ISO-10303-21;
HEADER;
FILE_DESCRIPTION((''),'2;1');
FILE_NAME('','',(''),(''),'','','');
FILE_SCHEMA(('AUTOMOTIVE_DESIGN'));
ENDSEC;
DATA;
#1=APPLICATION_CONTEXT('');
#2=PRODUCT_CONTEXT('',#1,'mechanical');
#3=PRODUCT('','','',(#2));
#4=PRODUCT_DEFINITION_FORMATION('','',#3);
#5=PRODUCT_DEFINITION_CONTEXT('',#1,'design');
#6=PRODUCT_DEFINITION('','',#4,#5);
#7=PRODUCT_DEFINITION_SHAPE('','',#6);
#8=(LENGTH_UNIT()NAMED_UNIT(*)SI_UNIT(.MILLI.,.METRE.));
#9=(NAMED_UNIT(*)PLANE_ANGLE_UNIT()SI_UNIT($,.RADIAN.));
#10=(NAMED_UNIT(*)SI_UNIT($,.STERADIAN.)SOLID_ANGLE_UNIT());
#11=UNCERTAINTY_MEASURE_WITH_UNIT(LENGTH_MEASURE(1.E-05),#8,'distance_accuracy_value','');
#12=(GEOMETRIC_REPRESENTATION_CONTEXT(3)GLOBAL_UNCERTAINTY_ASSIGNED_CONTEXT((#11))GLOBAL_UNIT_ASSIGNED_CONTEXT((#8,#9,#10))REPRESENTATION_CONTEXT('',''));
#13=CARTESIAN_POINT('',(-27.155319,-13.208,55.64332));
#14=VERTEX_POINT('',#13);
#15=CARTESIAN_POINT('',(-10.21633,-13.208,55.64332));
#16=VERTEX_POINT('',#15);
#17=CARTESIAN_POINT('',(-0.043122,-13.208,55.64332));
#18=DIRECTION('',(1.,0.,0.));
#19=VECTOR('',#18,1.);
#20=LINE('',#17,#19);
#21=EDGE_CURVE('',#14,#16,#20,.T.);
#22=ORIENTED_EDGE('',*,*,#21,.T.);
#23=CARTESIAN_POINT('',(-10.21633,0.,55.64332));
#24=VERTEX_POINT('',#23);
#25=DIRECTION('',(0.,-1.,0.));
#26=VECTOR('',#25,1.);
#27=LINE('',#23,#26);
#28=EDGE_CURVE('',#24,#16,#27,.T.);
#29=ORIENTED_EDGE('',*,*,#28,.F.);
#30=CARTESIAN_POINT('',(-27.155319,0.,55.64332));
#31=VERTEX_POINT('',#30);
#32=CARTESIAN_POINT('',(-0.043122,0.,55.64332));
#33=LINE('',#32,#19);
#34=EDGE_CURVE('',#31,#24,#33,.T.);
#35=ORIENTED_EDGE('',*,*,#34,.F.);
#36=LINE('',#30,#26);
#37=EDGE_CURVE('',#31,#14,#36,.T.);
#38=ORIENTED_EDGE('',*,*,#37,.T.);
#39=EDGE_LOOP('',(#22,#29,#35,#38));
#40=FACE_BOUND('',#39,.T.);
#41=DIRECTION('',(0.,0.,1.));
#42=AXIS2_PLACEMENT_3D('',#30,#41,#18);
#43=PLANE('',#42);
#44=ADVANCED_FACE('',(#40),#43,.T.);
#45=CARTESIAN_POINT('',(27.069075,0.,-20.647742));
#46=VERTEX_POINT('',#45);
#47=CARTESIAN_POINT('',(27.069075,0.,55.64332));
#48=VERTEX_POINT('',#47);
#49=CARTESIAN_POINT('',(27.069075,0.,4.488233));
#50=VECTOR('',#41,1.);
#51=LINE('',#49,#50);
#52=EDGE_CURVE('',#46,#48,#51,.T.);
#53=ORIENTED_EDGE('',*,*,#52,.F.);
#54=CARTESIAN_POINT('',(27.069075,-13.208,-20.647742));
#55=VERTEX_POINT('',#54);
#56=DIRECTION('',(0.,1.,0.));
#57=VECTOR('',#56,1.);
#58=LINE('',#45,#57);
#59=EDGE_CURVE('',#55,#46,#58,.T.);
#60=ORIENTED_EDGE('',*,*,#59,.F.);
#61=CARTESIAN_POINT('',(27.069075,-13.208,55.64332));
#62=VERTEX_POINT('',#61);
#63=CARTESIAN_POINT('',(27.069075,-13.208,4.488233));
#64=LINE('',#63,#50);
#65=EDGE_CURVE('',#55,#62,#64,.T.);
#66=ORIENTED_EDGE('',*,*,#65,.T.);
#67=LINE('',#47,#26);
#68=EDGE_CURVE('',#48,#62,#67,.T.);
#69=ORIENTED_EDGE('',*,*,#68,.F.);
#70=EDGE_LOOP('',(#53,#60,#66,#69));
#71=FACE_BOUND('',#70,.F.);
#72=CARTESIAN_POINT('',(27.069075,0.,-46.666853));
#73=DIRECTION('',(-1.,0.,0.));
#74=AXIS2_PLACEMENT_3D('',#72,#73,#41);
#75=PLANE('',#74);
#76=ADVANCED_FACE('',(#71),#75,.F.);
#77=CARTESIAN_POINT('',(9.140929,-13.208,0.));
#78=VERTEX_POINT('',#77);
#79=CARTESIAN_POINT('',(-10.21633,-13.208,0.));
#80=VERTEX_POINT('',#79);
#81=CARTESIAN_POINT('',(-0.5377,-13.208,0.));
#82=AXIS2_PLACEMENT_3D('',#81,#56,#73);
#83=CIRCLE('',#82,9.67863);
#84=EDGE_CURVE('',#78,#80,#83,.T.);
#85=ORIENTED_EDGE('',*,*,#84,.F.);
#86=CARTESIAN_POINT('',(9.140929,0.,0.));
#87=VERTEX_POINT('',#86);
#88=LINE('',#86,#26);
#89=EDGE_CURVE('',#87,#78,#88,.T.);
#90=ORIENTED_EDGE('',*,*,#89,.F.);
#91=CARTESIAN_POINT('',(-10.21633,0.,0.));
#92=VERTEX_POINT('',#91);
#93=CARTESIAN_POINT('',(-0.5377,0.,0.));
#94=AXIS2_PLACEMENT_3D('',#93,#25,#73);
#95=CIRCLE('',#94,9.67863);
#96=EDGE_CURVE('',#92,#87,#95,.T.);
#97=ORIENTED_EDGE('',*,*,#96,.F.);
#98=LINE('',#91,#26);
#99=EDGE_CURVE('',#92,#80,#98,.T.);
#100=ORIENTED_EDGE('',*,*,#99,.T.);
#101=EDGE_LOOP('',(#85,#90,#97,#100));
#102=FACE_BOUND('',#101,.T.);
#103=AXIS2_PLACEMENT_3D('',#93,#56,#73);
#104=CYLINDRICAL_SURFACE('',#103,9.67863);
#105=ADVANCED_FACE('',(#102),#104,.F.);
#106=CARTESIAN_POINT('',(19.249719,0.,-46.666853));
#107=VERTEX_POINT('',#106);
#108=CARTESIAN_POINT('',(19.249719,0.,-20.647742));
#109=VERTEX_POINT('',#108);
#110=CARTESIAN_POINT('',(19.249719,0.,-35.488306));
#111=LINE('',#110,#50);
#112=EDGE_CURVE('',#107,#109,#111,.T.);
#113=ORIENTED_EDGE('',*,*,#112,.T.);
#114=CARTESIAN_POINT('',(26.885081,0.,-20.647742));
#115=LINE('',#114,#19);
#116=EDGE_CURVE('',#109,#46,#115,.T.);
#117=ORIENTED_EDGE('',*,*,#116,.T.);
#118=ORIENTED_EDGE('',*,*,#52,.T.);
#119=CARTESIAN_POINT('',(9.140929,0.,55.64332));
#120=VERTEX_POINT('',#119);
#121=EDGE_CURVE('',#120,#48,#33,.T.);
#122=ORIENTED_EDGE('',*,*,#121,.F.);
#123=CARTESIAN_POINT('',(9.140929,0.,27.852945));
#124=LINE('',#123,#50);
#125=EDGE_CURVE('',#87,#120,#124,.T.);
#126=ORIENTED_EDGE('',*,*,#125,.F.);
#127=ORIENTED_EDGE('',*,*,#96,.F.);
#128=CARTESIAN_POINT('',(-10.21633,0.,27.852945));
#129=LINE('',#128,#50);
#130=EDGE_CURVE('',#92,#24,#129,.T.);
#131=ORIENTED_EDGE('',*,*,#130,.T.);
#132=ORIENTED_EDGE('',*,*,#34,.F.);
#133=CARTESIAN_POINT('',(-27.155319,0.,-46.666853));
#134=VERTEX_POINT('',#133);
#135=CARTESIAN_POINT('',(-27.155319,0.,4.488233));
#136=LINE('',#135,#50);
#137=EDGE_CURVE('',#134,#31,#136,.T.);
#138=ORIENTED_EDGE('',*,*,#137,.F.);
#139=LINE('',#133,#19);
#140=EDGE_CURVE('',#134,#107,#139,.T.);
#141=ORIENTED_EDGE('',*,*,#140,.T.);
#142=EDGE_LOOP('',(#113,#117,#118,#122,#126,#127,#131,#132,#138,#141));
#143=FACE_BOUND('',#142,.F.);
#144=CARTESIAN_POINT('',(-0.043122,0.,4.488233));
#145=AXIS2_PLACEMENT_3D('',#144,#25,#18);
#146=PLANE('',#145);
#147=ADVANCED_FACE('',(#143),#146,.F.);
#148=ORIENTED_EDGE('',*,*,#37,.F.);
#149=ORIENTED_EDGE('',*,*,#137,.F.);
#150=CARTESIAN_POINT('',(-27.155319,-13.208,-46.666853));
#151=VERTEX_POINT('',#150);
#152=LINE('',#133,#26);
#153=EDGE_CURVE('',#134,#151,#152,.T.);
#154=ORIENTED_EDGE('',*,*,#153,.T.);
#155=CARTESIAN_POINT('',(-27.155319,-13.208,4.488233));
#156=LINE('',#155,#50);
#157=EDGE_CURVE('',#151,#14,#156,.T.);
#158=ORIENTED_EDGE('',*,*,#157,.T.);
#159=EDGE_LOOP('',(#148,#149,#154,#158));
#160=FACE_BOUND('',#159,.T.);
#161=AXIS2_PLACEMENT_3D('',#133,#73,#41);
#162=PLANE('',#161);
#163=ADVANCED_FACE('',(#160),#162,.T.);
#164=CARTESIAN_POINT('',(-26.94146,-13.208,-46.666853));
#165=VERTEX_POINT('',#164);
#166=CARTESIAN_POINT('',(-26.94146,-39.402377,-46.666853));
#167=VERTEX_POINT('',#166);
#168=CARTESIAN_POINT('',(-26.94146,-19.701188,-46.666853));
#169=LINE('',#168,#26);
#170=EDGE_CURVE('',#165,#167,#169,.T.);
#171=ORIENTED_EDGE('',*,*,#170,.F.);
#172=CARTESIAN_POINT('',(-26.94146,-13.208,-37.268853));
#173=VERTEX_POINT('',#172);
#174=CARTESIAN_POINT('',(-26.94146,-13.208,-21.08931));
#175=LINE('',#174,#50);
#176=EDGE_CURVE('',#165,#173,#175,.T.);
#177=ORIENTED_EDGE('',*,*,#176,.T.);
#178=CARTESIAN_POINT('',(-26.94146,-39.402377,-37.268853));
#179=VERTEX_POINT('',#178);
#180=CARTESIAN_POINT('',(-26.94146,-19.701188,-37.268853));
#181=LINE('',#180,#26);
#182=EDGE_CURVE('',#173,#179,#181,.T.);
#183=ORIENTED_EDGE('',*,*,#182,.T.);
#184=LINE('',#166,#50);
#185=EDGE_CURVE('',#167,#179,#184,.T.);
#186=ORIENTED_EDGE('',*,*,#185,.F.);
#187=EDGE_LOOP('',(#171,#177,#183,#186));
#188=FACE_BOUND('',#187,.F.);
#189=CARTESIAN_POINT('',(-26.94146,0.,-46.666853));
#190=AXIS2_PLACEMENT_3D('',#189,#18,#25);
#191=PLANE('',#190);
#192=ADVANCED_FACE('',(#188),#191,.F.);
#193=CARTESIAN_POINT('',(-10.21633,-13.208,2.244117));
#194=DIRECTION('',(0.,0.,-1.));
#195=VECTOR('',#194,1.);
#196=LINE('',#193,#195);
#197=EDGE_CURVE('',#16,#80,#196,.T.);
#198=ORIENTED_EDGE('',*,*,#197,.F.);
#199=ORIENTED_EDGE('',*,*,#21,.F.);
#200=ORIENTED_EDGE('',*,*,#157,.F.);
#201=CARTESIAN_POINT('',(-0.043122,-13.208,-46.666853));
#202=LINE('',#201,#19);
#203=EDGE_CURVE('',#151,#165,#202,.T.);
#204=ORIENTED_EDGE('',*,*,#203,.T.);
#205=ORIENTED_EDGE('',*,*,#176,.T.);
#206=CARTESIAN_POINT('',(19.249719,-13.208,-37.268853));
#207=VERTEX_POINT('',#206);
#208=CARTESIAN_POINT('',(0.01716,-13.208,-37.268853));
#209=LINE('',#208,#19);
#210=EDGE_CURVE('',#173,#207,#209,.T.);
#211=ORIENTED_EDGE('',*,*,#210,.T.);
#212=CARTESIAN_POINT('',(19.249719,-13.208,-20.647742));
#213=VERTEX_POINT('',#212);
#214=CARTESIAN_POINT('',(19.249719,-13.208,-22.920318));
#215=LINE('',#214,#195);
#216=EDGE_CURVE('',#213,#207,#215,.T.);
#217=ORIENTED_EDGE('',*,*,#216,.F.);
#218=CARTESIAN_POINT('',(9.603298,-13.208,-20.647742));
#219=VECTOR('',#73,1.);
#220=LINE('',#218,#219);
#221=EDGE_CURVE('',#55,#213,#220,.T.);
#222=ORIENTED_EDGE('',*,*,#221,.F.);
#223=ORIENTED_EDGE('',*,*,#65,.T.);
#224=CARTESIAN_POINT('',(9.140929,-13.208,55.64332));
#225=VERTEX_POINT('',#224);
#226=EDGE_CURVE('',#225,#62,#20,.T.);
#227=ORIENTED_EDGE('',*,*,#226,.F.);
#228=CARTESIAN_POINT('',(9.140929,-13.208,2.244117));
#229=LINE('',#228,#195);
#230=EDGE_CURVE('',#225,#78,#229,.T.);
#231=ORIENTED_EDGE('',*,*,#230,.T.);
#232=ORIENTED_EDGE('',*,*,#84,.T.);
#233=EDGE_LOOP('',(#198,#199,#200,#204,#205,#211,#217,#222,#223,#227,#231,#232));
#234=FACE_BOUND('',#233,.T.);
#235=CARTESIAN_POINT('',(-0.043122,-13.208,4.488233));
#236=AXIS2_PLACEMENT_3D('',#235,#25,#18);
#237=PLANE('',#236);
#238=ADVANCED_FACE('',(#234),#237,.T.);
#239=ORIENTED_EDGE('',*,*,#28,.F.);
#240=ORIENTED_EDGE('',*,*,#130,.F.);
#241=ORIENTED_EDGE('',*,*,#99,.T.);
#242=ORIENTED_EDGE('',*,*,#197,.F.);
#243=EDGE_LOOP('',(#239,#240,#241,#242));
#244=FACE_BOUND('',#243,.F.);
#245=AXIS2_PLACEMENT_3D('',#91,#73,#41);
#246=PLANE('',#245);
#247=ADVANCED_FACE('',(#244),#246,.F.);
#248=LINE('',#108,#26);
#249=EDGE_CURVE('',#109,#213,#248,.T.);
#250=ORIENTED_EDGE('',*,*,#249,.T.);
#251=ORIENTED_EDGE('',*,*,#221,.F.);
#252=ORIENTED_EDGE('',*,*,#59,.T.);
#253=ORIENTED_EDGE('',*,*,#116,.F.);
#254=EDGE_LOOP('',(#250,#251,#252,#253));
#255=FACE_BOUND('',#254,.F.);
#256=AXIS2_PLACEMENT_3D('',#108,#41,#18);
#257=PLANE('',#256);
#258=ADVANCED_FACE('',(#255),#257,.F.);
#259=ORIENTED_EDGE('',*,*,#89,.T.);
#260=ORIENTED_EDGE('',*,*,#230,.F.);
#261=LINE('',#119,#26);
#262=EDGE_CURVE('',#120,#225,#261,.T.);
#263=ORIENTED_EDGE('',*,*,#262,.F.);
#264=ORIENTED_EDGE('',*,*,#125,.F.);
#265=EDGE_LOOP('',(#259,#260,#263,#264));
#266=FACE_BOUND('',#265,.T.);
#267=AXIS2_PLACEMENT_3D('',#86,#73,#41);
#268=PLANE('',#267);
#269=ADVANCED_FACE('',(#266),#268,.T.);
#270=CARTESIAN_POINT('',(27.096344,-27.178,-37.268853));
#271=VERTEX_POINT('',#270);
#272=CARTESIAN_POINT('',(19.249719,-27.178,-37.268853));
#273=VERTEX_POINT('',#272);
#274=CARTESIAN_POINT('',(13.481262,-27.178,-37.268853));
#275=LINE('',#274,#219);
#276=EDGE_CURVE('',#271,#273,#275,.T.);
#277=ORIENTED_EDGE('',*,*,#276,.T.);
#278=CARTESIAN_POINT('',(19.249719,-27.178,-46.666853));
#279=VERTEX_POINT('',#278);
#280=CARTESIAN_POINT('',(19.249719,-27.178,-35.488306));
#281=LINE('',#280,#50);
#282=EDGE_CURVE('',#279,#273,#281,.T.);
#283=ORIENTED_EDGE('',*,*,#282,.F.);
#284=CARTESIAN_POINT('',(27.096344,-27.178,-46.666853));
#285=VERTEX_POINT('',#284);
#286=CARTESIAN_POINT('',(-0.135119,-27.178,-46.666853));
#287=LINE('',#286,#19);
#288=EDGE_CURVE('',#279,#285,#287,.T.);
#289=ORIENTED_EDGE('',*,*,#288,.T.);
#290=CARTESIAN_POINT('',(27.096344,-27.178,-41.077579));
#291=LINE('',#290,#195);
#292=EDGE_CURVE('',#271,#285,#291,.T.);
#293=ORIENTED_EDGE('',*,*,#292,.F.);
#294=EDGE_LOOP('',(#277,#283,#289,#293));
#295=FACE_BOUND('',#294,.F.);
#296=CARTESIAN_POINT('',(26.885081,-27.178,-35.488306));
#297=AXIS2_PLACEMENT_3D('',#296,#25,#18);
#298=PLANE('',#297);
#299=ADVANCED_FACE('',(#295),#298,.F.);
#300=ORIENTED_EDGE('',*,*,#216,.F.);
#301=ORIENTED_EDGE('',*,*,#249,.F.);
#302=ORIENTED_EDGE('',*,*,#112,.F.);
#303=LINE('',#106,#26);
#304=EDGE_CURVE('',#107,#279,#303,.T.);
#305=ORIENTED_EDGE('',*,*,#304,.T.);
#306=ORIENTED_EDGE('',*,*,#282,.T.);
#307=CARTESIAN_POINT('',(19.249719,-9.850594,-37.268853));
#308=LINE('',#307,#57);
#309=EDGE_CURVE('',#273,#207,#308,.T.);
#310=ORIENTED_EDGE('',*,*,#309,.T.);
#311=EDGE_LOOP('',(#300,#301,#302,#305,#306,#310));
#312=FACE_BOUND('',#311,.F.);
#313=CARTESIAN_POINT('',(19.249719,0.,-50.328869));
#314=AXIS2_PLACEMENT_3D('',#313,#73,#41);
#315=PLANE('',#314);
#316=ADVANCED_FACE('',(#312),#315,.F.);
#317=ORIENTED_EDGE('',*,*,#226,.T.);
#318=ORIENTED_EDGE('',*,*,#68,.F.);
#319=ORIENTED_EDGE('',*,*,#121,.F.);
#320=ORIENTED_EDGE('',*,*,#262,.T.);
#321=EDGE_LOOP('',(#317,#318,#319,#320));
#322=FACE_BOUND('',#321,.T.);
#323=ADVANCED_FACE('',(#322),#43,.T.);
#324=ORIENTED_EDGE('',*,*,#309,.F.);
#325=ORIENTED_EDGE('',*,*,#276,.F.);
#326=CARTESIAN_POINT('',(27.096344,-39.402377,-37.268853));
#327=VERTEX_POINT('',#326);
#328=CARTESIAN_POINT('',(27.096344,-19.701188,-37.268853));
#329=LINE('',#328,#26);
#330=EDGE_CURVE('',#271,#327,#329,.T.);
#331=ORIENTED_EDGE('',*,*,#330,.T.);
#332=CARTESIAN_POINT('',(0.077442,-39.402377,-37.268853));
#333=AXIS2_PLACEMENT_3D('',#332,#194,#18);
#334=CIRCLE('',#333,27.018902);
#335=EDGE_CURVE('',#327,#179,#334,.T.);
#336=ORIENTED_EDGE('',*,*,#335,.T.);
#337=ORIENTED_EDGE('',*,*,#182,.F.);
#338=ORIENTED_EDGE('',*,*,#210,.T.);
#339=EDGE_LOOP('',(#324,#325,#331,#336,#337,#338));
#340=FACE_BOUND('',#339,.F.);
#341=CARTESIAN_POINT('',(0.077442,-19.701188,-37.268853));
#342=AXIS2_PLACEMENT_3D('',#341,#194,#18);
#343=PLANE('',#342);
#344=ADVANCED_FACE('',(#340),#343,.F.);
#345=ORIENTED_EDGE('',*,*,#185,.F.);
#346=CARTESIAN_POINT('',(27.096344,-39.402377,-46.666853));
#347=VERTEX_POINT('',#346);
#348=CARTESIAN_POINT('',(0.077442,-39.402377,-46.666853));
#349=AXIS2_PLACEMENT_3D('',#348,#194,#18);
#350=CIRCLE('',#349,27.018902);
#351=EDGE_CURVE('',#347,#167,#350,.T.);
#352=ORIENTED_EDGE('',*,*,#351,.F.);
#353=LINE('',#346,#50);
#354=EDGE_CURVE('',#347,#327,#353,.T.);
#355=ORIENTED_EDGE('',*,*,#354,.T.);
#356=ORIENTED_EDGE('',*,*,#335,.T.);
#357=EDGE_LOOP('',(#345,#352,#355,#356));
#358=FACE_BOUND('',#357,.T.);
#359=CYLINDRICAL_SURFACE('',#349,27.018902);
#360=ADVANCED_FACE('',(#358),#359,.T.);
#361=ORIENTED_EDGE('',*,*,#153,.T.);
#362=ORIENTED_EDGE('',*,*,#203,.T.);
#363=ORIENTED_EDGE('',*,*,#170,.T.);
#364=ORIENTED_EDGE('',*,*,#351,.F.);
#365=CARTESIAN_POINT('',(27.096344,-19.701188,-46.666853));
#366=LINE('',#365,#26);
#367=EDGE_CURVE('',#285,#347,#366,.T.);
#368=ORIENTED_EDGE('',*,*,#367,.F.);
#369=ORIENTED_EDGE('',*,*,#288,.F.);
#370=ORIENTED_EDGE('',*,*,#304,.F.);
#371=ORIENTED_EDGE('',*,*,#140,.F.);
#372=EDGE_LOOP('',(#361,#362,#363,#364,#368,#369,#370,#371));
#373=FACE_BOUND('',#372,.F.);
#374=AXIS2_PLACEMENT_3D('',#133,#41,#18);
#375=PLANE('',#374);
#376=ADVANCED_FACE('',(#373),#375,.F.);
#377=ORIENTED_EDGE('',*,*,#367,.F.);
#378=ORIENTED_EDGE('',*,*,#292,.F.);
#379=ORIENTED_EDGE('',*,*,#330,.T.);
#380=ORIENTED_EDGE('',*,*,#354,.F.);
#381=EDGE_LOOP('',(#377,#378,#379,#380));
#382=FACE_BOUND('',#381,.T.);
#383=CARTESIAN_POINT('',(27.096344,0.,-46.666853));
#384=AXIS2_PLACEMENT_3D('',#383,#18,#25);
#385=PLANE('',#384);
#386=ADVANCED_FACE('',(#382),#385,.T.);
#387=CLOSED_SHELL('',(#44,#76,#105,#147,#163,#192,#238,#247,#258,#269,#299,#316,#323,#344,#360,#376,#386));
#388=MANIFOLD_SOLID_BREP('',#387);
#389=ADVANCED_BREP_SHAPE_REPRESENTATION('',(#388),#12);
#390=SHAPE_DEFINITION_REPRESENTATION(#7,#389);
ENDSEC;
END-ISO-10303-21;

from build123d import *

# Parameters (mm, degrees)
F0_W     = 54.2243942618
F0_H     = 102.3101732135
F1_DEPTH = 13.208
F2_W     = 19.3572593853
F2_H     = 55.7058900595
F3_DEPTH = 42.164
F6_W     = 54.037803784
F6_H     = 39.4023768604
F7_DEPTH = 9.398
F4_W     = 15.2707248926
F4_H     = 29.6811275184
F8_DEPTH = 27.178


with BuildPart() as f1:
    # F0 (on Front) → F1 (new body)
    with BuildSketch(Plane.XZ):
        with Locations((-0.0431220978, 4.4882334769)):
            Rectangle(F0_W, F0_H)
    extrude(amount=F1_DEPTH)

    # F2 (on Front) → F3 (cut)
    with BuildSketch(Plane.XZ):
        with Locations((-0.5377004854, 27.8529450297)):
            Rectangle(F2_W, F2_H)
        with BuildLine():
            Line((9.1409292072, 0), (-10.2163301781, 0))
            ThreePointArc((-10.2163301781, 0), (-0.5377004854, -9.6786296926), (9.1409292072, 0))
        make_face()
    extrude(amount=F3_DEPTH, mode=Mode.SUBTRACT)

    # F6 (on offset) → F7 (join)
    with BuildSketch(Plane(origin=(0, 0, -46.6668531299), x_dir=(1, 0, 0), z_dir=(0, 0, -1))):
        with Locations((0.077442266, 19.7011884302)):
            Rectangle(F6_W, F6_H)
        with BuildLine():
            ThreePointArc((27.0963441581, 39.4023768604), (0.077442266, 66.4212787524), (-26.941459626, 39.4023768604))
            Line((-26.941459626, 39.4023768604), (27.0963441581, 39.4023768604))
        make_face()
    extrude(amount=-F7_DEPTH)

    # F4 (on Front) → F8 (cut)
    with BuildSketch(Plane.XZ):
        with Locations((26.8850810826, -35.4883056134)):
            Rectangle(F4_W, F4_H)
    extrude(amount=F8_DEPTH, mode=Mode.SUBTRACT)


solid = f1.part
